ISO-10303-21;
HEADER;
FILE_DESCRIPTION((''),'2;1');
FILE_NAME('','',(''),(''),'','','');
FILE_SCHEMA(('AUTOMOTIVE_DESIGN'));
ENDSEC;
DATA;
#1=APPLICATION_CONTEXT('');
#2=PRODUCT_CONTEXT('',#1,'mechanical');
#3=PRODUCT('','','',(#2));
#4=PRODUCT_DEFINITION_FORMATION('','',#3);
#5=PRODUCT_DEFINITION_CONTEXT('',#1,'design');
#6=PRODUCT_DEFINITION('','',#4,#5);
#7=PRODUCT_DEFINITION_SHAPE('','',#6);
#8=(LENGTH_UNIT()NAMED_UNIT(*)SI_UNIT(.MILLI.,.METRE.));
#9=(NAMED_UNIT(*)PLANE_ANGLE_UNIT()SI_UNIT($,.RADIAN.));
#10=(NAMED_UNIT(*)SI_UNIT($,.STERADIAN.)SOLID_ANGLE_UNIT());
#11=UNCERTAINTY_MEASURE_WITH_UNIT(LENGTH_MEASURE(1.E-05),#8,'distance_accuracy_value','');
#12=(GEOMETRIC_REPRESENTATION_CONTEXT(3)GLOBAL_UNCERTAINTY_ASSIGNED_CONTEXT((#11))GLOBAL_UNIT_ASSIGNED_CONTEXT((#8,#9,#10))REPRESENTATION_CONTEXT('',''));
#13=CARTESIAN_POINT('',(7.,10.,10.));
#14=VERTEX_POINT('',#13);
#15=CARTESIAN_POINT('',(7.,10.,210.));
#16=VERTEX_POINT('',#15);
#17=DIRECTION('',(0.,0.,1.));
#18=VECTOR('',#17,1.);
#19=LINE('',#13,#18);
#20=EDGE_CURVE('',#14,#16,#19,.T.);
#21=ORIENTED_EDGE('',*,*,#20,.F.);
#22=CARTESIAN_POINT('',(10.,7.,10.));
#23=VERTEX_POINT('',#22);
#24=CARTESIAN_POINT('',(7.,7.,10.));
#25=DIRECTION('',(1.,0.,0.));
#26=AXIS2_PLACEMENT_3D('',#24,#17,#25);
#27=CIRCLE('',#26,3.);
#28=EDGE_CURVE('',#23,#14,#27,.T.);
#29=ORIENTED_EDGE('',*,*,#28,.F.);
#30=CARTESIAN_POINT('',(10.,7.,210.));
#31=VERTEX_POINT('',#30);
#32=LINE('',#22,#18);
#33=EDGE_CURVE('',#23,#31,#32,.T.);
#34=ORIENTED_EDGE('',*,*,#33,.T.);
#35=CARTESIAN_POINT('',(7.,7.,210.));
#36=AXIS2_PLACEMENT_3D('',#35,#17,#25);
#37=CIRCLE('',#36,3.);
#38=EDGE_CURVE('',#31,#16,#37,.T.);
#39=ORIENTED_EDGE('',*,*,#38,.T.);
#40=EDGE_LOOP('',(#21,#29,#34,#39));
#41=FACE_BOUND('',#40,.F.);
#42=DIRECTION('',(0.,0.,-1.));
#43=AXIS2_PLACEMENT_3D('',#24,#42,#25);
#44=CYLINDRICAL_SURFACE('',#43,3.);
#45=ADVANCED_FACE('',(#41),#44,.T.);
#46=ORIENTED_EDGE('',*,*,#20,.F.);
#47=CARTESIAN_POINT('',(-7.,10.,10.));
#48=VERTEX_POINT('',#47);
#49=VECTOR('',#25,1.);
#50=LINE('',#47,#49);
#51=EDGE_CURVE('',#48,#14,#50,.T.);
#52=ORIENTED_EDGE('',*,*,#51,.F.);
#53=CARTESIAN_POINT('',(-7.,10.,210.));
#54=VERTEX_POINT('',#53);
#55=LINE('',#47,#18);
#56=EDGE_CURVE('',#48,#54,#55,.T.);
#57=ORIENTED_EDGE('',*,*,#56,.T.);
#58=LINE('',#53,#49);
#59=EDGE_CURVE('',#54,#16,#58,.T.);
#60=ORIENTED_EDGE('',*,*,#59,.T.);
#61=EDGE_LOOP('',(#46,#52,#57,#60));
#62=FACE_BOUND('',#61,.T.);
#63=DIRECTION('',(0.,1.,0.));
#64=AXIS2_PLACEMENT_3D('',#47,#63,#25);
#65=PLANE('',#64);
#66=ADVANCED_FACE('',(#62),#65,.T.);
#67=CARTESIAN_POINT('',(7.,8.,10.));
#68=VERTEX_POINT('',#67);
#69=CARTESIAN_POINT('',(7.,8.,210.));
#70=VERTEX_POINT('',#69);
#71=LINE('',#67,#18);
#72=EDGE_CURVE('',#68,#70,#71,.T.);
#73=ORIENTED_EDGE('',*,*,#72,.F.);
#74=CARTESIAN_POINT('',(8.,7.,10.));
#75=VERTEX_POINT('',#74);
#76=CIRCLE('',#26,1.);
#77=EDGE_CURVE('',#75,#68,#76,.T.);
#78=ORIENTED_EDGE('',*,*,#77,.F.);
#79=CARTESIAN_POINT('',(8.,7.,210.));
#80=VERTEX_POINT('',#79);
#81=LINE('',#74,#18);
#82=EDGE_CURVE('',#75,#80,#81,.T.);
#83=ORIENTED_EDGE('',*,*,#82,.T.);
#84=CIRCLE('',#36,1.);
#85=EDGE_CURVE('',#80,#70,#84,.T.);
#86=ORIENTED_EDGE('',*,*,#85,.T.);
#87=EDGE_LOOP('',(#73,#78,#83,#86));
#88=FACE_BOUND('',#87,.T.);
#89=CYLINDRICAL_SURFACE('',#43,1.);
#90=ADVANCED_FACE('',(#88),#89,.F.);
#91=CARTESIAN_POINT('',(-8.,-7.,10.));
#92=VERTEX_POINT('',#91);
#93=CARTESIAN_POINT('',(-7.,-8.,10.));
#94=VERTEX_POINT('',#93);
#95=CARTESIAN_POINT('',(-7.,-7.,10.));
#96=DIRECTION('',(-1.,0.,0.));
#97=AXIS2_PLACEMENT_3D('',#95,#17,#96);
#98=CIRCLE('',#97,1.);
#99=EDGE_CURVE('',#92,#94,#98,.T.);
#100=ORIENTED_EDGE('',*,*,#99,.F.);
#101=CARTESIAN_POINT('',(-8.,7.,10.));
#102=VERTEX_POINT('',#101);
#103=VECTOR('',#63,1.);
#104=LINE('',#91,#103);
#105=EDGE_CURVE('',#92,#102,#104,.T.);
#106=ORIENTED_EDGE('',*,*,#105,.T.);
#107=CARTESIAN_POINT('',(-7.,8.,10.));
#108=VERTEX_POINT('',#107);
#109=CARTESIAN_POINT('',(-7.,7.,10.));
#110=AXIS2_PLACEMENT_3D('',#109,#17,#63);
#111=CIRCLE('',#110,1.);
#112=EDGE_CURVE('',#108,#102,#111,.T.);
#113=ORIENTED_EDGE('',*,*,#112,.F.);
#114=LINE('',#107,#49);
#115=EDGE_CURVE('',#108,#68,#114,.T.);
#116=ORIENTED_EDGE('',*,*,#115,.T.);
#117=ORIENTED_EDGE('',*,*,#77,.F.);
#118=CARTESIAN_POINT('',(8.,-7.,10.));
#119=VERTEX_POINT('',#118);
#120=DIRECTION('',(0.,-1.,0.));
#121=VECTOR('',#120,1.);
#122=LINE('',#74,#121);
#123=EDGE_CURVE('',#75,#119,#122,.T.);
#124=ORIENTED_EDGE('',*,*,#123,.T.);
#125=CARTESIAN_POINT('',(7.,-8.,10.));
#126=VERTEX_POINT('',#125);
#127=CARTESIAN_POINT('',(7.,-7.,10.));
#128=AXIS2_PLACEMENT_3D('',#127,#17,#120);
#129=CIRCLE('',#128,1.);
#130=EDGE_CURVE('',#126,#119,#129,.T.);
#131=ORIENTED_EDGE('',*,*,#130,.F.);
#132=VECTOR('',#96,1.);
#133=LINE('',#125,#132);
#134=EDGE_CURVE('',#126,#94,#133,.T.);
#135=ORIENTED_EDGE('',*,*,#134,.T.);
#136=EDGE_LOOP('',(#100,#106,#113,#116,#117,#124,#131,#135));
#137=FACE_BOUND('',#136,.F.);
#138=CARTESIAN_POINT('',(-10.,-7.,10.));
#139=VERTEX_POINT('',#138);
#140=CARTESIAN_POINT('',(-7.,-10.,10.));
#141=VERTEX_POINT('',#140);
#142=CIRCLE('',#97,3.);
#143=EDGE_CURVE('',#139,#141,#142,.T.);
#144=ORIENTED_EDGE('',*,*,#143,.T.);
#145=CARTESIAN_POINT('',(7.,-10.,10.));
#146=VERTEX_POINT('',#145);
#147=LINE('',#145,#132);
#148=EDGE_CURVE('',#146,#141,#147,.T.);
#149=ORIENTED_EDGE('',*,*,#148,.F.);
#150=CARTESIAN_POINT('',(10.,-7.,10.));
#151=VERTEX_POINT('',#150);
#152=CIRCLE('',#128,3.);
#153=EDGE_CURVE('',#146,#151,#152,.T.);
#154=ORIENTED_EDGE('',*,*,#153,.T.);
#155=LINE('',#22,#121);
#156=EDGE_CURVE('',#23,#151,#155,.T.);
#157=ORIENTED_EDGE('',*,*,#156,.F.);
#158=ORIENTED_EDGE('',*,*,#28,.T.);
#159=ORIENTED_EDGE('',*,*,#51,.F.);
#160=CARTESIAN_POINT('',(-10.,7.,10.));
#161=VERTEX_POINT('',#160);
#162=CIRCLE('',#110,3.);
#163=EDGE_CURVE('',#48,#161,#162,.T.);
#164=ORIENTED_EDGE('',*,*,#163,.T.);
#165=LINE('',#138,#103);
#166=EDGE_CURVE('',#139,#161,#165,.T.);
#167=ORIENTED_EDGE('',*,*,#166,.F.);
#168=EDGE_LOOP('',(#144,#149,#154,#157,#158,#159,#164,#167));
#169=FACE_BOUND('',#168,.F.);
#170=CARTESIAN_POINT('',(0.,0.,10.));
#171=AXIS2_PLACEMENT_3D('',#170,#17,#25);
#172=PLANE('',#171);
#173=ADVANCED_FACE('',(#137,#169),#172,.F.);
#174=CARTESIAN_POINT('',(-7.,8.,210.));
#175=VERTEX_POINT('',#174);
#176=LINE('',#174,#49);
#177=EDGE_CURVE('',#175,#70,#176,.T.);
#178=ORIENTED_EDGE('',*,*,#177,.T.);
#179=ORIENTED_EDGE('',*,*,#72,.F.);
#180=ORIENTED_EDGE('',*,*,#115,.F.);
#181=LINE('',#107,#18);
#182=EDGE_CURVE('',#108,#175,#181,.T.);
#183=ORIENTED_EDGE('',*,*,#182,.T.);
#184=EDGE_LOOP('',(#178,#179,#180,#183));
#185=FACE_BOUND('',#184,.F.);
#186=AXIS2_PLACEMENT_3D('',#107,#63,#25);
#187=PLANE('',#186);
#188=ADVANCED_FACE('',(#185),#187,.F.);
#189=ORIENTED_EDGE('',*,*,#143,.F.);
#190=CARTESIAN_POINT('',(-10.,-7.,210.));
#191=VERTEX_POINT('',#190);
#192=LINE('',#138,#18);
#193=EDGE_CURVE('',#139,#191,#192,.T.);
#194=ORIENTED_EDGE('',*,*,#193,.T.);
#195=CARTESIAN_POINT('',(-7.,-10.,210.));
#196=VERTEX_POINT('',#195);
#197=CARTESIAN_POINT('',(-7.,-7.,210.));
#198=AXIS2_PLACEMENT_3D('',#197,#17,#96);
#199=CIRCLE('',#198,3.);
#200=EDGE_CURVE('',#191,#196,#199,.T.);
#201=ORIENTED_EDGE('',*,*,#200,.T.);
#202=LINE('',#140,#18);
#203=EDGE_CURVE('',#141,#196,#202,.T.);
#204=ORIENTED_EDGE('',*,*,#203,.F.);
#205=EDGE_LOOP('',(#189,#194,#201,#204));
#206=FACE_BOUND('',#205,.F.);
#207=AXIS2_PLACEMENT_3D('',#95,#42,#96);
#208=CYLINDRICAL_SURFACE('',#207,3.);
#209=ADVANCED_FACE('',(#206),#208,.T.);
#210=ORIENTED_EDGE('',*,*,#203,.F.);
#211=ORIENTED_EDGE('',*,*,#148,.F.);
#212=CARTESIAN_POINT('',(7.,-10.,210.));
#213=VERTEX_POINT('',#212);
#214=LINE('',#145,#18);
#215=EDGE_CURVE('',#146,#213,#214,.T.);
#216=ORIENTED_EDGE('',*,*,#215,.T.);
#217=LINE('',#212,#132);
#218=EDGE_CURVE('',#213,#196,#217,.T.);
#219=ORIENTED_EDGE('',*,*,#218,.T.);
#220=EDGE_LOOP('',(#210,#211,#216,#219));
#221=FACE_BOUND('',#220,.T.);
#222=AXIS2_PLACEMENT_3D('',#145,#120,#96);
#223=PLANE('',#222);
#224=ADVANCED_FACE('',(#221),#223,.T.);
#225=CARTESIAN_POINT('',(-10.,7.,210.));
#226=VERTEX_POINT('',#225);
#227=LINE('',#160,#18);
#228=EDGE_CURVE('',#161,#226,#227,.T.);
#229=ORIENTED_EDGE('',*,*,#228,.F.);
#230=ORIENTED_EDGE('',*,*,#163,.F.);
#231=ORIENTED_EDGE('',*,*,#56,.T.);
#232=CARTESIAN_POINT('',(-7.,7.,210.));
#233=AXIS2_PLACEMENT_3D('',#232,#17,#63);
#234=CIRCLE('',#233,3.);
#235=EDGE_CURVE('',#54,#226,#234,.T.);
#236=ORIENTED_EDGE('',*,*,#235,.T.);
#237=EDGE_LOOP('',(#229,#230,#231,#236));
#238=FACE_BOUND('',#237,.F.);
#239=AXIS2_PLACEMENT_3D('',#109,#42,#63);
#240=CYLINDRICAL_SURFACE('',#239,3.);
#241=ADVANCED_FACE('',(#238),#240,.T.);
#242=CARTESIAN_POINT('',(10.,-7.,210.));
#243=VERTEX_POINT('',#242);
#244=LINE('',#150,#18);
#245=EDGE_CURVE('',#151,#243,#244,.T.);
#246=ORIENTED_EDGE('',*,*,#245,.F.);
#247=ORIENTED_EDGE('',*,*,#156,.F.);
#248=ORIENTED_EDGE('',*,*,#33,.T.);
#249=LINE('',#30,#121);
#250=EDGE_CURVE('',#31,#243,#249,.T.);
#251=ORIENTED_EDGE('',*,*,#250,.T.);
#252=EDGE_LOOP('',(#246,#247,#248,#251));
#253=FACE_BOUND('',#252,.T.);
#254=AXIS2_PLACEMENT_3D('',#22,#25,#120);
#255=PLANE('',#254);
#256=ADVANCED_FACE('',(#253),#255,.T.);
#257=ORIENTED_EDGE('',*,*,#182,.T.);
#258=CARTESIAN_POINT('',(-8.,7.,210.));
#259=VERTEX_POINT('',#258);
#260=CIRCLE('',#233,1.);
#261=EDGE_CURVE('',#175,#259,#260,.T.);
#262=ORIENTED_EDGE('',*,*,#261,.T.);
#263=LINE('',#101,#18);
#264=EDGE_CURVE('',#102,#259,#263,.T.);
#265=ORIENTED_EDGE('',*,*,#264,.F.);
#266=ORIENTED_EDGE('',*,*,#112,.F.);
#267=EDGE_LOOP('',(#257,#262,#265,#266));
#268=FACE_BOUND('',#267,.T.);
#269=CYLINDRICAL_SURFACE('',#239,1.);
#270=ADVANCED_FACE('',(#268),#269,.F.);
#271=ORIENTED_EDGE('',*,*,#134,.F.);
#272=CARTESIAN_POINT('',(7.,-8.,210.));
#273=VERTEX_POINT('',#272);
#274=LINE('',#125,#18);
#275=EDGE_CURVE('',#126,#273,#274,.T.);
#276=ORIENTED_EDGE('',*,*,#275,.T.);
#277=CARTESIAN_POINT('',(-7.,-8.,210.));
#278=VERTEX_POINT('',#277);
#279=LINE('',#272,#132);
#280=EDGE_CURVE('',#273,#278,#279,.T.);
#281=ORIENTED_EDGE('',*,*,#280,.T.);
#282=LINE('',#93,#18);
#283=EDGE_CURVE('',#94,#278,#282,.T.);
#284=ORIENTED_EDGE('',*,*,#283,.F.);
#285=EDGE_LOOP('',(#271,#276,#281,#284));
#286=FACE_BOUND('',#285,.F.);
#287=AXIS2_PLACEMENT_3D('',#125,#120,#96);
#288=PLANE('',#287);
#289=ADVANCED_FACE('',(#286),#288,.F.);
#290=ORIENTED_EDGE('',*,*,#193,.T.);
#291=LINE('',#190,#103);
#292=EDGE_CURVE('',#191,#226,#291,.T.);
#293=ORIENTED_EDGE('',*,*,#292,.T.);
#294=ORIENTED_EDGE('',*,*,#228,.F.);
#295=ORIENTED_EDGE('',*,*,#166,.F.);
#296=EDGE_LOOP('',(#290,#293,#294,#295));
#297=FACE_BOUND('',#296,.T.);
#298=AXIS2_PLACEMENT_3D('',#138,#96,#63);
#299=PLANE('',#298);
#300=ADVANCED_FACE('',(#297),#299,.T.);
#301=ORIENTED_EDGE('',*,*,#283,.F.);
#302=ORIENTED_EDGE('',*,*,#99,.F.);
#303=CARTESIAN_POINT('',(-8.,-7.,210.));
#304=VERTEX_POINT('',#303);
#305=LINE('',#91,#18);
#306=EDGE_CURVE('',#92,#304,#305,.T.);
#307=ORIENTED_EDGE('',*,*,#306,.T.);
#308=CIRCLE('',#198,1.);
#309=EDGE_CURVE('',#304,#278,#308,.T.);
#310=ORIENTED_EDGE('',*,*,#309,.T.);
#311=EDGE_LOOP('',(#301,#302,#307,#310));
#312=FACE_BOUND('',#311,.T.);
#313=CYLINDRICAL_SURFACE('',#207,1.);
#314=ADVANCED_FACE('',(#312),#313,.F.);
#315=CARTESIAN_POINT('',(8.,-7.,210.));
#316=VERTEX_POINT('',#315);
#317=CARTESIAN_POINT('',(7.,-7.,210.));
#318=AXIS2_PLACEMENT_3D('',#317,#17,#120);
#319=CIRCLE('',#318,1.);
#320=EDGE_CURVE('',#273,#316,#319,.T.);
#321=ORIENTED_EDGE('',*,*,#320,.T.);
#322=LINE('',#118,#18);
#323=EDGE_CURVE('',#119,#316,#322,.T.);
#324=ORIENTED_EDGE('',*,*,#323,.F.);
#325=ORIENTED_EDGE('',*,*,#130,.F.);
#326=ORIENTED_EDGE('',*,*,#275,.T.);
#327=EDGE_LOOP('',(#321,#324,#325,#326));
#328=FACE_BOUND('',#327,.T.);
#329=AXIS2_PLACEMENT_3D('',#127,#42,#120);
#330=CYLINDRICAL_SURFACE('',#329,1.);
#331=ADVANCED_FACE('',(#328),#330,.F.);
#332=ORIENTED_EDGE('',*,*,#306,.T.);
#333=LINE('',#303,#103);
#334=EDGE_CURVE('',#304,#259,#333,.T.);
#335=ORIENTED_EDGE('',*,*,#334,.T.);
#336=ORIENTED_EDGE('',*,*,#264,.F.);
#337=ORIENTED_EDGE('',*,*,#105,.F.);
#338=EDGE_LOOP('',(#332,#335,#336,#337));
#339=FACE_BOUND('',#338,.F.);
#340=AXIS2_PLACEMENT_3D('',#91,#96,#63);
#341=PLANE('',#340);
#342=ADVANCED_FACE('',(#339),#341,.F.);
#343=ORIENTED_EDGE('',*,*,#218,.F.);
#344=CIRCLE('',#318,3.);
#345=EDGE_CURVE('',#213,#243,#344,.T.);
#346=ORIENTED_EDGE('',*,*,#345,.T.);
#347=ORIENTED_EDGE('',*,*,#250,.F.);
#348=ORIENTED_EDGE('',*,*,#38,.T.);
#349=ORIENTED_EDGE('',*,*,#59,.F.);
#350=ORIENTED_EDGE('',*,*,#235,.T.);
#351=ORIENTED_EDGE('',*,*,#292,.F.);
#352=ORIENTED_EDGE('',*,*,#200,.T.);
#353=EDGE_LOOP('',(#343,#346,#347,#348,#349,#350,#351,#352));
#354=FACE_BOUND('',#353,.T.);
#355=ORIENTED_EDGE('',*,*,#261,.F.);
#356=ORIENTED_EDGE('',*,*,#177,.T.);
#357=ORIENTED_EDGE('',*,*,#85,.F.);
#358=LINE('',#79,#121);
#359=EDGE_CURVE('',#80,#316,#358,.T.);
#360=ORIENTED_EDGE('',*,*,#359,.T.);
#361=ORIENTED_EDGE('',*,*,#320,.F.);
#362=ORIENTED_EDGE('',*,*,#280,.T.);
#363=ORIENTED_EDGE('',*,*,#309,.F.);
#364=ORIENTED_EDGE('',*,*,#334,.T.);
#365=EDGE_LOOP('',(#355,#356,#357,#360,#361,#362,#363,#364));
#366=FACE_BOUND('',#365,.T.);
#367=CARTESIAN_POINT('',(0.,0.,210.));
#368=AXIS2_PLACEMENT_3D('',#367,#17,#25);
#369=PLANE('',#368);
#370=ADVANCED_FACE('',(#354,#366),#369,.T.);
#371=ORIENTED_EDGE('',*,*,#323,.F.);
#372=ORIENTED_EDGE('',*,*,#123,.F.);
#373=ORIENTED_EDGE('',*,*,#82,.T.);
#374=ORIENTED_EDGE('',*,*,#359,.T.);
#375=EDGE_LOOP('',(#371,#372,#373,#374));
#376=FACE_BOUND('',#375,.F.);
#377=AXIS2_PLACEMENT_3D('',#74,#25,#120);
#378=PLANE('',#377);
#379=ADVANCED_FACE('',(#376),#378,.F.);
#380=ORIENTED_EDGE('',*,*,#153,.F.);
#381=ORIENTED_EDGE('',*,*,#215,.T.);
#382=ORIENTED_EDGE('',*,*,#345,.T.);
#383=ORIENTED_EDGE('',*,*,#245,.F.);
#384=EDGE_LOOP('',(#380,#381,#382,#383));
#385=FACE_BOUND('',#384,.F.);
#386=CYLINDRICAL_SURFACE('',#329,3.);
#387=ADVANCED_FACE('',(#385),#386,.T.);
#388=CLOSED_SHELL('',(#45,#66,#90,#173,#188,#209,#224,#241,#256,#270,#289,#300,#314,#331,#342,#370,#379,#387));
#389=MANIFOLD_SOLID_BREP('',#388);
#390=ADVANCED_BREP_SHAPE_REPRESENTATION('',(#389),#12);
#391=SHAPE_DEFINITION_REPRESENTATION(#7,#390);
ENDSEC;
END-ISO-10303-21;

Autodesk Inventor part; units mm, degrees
ref_plane "Start Plane" through (0, 0, 10) normal (0, 0, 1) x (1, 0, 0)
ref_plane "End Plane" through (0, 0, 210) normal (0, 0, 1) x (1, 0, 0)
sketch "Sketch" plane through (0, 0, 0) normal (0, 0, 1) x (1, 0, 0)
  line L0 (-10, -7) -> (-10, 7)
  line L1 (-7, 10) -> (7, 10)
  line L2 (10, 7) -> (10, -7)
  line L3 (7, -10) -> (-7, -10)
  arc A0 (-10, -7) -> (-7, -10) centre (-7, -7) ccw
  arc A1 (-7, 10) -> (-10, 7) centre (-7, 7) ccw
  arc A2 (10, 7) -> (7, 10) centre (7, 7) ccw
  arc A3 (7, -10) -> (10, -7) centre (7, -7) ccw
  arc A4 (-7, 8) -> (-8, 7) centre (-7, 7) ccw
  line L4 (-7, 8) -> (7, 8)
  arc A5 (8, 7) -> (7, 8) centre (7, 7) ccw
  line L5 (8, 7) -> (8, -7)
  arc A6 (7, -8) -> (8, -7) centre (7, -7) ccw
  line L6 (7, -8) -> (-7, -8)
  arc A7 (-8, -7) -> (-7, -8) centre (-7, -7) ccw
  line L7 (-8, -7) -> (-8, 7)
  line L8 (0, 14.8698) -> (0, -14.8698) construction
  line L9 (-14.8698, 0) -> (14.8698, 0) construction
  dimension "d7" = 3
  dimension "d10" = 20
  dimension "d11" = 20
  dimension "d12" = 2
  dimension "d15" = 10
  dimension "d16" = 10
extrude "Body" add sketch "Sketch" along normal up to surface (200 mm away) from surface at 10
sketch "Sketch3" plane through (0, 0, 0) normal (0, 0, 1) x (1, 0, 0)
  line L0 (0, 0) -> (10, 0)
ref_plane "Work Plane3" through (0, 0, 0) normal (0, -1, 0) x (1, 0, 0)
sketch "Sketch4" plane through (0, 0, 0) normal (0, -1, 0) x (1, 0, 0)
  line L0 (-2, 10) -> (12, 10)
  line L1 (-2, 210) -> (12, 210)
  dimension "d18" = 200
ref_plane "Work Plane4" through (-87, -7, 10) normal (0, 0, -1) x (-1, 0, 0)
split "Split1" plane through (-87, -7, 10) removes the side toward (0, 0, -1)
equation "\"d7\" = G_IR"
equation "\"d10\" = G_H"
equation "\"d11\" = G_W"
equation "\"d12\" = G_T"
equation "\"d15\" = 0.5 * d10"
equation "\"d16\" = 0.5 * d11"
equation "\"d3\" = G_L"
equation "\"G_W\" = 20"
equation "\"G_H\" = 20"
equation "\"G_T\" = 2"
equation "\"G_IR\" = 3"
equation "\"G_L\" = d18"
equation "\"G_OFFSET_END\" = 0"
properties part number "ISO 12633-2 - 20x20x2 - 200" material "Steel, Mild"
